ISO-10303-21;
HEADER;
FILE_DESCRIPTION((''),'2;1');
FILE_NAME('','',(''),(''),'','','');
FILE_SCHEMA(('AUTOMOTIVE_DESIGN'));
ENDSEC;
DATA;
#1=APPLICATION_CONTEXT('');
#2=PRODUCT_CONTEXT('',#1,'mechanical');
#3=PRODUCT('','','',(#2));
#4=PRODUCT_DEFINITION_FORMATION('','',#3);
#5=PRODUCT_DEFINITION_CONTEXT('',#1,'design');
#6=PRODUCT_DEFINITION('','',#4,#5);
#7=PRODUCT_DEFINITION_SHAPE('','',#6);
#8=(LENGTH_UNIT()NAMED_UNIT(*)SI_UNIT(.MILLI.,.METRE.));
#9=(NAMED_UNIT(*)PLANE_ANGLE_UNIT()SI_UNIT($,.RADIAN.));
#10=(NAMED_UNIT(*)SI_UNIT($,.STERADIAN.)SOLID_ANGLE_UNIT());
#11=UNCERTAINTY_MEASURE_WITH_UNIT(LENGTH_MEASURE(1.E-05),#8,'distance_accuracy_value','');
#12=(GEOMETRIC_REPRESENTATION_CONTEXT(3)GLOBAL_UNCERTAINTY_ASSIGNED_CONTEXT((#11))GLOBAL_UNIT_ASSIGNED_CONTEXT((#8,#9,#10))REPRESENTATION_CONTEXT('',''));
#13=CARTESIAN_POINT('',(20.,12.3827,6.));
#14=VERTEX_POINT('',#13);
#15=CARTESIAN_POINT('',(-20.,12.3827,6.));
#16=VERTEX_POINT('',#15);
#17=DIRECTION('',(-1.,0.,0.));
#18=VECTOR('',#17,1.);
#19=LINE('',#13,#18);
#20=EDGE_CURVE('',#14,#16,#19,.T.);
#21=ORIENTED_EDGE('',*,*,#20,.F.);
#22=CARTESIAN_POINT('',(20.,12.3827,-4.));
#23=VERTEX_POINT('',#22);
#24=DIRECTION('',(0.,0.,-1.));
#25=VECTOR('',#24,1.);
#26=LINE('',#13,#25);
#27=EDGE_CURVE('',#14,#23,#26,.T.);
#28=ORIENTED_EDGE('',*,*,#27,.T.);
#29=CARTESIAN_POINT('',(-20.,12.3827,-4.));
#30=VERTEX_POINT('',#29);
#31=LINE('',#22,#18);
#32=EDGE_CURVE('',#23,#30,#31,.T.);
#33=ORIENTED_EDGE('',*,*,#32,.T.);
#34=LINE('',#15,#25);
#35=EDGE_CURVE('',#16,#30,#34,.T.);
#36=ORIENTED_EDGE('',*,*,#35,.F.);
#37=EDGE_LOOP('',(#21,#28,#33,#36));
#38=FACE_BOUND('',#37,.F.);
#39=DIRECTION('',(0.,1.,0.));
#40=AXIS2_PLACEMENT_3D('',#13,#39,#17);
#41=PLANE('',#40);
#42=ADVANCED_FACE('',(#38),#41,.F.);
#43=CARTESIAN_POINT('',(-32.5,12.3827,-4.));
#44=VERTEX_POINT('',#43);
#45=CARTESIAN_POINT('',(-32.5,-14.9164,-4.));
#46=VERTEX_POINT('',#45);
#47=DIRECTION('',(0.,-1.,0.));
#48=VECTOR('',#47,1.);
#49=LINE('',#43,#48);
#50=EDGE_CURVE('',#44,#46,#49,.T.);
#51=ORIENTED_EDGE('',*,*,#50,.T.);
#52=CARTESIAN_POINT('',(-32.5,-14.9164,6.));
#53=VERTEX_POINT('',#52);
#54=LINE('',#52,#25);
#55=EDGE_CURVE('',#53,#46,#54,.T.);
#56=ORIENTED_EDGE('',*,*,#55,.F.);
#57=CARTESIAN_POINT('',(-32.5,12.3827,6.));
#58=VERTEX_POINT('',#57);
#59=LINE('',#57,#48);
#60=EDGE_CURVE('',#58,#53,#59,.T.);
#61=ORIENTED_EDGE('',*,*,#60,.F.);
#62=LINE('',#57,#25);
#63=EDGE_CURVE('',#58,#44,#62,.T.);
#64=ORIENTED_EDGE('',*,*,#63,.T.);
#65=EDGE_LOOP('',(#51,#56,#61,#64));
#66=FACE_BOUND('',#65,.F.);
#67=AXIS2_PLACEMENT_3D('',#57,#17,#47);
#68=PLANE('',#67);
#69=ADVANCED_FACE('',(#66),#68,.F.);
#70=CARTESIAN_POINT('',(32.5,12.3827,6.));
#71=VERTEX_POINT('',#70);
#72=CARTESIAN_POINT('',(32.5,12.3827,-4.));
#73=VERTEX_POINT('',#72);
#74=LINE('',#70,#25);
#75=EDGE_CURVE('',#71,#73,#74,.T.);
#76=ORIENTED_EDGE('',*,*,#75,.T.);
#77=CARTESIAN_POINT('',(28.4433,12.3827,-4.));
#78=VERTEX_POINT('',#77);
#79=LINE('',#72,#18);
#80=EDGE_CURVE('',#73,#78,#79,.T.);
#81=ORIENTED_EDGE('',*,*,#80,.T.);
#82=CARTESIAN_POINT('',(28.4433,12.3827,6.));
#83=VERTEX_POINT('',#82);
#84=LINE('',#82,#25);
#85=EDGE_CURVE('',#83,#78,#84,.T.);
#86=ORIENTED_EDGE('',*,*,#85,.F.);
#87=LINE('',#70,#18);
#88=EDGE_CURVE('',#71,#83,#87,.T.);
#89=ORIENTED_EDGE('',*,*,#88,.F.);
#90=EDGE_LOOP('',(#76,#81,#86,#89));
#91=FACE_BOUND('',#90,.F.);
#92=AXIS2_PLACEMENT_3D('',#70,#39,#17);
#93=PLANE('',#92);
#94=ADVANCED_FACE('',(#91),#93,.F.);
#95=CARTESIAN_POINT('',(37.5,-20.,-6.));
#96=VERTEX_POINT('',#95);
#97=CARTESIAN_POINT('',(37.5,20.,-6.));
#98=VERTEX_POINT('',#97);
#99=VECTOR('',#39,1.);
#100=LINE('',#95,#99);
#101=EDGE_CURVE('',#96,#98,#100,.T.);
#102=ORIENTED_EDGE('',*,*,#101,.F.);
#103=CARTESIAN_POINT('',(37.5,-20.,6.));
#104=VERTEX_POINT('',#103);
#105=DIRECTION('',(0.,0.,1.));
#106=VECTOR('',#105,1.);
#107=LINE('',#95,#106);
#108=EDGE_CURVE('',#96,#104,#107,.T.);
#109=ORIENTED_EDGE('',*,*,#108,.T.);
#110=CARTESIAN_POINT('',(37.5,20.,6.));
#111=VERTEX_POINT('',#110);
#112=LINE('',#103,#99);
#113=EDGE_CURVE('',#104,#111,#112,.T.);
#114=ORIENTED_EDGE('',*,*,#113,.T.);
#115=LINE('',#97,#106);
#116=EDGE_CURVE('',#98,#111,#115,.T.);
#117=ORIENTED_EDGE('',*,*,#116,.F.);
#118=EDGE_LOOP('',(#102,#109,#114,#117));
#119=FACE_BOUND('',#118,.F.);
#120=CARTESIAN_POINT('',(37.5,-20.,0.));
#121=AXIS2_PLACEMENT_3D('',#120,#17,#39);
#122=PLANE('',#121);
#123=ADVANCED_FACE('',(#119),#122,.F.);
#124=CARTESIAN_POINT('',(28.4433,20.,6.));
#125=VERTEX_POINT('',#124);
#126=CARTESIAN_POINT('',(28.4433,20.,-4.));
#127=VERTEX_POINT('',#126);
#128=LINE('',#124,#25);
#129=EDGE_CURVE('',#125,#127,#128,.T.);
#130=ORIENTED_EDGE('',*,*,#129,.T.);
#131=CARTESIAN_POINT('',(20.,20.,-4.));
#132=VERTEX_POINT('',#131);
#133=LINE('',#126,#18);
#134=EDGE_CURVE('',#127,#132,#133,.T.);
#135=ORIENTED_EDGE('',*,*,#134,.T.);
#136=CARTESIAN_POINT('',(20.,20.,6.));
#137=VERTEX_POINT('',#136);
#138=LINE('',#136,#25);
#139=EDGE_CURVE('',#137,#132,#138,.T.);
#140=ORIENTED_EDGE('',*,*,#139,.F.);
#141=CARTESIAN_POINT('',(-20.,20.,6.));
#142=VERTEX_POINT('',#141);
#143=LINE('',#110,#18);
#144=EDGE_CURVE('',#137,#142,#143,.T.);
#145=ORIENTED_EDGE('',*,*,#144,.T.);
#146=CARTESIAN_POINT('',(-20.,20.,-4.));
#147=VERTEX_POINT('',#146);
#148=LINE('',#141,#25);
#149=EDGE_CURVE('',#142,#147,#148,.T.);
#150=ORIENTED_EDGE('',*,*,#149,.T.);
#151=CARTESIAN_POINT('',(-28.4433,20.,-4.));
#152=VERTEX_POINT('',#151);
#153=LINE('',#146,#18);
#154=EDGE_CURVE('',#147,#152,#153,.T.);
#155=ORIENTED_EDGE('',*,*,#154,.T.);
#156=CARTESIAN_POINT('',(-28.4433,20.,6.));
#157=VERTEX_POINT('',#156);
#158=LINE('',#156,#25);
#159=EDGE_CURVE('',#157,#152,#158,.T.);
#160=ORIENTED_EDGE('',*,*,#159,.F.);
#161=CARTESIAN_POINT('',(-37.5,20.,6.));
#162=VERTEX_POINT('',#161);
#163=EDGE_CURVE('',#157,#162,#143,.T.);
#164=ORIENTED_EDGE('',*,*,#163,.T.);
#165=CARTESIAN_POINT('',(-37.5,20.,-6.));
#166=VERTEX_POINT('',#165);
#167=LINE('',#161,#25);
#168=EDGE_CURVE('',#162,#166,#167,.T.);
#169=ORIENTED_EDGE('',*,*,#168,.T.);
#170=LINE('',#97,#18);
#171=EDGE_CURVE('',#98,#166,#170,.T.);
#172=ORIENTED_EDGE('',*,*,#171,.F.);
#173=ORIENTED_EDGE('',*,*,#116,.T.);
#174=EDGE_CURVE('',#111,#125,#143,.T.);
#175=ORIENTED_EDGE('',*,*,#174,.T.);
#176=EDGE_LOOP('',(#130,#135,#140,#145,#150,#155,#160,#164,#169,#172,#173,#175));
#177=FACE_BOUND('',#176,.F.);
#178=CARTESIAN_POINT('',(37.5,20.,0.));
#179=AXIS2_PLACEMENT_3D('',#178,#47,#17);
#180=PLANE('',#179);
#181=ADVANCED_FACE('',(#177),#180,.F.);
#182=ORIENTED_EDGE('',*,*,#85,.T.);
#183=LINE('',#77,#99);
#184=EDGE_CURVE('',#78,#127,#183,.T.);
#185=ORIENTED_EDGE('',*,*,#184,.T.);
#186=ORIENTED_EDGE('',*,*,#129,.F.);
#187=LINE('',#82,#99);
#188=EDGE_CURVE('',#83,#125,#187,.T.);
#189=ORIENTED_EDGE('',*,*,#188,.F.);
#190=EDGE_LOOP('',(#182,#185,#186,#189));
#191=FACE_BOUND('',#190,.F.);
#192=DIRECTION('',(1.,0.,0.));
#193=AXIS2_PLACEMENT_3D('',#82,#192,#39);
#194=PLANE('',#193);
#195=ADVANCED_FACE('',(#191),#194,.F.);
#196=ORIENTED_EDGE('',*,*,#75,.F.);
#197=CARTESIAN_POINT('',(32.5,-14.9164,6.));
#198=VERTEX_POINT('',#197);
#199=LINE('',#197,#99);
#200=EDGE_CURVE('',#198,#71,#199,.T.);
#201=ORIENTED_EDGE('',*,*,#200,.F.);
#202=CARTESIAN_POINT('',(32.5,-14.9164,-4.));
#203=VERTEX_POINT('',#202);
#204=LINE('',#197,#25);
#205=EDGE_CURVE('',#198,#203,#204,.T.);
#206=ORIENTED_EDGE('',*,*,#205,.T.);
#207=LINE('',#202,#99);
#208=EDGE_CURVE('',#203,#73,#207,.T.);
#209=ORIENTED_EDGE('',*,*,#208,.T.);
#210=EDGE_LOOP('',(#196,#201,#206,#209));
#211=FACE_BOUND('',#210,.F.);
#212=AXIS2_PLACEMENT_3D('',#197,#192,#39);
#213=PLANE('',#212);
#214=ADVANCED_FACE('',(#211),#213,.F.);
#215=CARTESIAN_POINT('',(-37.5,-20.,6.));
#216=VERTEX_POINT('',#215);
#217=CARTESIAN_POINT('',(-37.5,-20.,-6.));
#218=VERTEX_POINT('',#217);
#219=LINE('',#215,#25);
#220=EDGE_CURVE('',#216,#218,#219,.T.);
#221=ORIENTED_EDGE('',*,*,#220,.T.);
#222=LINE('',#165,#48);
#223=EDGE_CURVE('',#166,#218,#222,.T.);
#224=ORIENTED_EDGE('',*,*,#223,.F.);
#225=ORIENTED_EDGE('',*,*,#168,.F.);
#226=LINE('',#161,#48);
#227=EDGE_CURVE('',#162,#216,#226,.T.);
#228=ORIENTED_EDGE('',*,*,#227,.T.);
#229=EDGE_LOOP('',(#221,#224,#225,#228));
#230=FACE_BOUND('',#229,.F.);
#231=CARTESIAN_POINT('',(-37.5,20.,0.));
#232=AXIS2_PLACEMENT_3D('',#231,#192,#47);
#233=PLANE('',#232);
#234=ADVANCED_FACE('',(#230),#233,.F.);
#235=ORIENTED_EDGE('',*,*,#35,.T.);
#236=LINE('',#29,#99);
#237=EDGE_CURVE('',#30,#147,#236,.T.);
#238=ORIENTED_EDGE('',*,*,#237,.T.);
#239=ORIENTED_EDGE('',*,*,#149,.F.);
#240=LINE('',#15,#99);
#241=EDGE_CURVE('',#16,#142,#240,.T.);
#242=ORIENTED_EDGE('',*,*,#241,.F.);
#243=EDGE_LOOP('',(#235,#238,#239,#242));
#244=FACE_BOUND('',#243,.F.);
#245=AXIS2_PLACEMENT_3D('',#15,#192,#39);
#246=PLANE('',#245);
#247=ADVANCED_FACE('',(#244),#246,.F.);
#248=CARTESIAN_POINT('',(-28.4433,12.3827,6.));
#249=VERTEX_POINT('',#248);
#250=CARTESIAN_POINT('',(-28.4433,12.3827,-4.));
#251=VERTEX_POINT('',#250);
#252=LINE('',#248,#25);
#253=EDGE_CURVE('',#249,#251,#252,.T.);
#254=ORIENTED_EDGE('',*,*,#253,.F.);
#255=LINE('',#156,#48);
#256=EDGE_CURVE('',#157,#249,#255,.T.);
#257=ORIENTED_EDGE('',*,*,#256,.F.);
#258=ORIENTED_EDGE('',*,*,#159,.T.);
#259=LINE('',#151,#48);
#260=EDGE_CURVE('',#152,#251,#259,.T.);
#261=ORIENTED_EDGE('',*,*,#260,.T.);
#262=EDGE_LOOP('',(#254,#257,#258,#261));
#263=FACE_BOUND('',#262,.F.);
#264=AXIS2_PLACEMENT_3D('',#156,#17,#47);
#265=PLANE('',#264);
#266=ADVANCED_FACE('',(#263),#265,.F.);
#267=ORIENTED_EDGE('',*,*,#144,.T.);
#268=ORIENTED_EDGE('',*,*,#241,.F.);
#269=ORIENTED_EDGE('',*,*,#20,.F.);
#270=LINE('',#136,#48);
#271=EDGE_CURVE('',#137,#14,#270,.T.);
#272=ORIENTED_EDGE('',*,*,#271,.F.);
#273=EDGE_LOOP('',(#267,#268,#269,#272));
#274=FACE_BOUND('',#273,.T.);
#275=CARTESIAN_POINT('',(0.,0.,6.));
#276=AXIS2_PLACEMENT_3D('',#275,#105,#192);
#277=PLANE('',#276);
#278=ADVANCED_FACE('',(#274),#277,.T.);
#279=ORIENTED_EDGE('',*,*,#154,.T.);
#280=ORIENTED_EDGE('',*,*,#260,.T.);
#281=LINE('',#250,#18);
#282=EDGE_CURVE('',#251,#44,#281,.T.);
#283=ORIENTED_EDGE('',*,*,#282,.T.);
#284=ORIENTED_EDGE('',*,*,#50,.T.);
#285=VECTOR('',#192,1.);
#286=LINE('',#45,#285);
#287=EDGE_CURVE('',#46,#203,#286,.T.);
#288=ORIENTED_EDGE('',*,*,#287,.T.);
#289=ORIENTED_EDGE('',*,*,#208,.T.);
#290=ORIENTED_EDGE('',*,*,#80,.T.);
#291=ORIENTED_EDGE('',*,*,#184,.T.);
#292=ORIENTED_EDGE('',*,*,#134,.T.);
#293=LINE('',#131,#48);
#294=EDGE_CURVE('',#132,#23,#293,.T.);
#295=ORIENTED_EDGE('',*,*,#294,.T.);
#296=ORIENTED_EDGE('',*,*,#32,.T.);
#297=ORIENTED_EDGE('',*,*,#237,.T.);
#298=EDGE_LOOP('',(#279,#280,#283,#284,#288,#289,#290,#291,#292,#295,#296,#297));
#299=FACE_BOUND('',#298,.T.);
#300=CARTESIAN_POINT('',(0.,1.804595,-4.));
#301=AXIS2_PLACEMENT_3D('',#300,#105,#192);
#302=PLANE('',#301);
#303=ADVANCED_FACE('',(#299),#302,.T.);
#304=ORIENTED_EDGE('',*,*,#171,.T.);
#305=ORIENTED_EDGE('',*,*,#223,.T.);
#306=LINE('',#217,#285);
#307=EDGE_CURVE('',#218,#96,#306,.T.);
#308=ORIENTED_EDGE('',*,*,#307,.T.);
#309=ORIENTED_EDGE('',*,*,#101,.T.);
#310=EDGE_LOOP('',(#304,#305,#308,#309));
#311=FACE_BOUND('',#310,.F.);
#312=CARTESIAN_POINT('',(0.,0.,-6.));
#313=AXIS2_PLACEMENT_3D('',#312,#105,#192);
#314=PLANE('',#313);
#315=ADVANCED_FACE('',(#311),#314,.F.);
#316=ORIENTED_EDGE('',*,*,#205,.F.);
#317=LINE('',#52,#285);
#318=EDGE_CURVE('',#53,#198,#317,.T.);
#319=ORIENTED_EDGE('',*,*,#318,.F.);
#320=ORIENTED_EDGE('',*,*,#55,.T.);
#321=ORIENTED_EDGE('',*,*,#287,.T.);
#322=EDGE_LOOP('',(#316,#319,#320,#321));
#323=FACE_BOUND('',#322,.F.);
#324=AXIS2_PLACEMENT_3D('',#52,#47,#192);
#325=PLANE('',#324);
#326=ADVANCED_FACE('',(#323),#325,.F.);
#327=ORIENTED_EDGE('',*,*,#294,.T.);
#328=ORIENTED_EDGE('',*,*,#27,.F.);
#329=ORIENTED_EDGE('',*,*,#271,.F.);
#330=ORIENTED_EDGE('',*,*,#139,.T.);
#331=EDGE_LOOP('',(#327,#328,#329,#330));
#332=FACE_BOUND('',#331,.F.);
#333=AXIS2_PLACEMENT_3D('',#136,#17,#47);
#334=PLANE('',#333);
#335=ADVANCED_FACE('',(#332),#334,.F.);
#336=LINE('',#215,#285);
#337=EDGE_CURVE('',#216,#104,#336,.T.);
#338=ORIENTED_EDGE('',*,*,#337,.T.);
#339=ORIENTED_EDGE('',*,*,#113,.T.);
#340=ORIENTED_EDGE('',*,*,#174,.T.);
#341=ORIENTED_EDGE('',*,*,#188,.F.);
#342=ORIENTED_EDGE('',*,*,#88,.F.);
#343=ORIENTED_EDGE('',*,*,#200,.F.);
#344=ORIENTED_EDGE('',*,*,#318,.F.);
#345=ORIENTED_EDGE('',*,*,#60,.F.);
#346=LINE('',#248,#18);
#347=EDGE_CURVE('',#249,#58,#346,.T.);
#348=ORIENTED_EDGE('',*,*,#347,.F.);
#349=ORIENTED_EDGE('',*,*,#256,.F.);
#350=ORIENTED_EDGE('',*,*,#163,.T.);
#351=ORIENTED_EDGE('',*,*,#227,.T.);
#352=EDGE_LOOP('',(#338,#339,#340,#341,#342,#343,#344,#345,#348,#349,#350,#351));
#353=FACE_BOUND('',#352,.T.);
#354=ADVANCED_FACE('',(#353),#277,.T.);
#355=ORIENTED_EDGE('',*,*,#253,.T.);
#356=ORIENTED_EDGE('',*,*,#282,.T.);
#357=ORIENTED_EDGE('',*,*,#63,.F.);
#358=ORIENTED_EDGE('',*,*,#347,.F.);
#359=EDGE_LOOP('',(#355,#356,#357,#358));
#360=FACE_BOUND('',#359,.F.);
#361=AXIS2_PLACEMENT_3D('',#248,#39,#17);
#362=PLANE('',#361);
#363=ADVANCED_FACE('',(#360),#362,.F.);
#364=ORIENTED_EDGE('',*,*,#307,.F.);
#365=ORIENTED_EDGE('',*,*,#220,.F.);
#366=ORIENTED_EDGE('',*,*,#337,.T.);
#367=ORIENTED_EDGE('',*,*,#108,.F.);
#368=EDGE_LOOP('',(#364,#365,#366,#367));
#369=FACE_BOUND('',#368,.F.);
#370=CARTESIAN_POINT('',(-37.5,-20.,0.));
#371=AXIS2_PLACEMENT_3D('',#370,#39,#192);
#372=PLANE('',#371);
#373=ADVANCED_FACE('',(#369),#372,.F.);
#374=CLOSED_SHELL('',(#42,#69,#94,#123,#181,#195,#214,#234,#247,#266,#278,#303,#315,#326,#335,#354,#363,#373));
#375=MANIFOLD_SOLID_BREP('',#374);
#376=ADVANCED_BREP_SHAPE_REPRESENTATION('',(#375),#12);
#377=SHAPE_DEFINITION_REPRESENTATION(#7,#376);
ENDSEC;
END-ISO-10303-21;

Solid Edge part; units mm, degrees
sketch "Sketch1" plane through (0, 0, 0) normal (0, 0, 1) x (1, 0, 0)
  line L0 (-37.5, -20) -> (37.5, -20)
  line L1 (37.5, -20) -> (37.5, 20)
  line L2 (37.5, 20) -> (-37.5, 20)
  line L3 (-37.5, 20) -> (-37.5, -20)
  dimension "D1" = 40
  dimension "D2" = 75
extrude "Protrusion1" add sketch "Sketch1" along normal mid plane 12
sketch "Sketch2" plane through (0, 0, 6) normal (0, 0, 1) x (1, 0, 0)
  line L0 (-32.5, 12.3827) -> (-32.5, -14.9164)
  line L1 (-32.5, -14.9164) -> (32.5, -14.9164)
  line L2 (32.5, -14.9164) -> (32.5, 12.3827)
  line L3 (32.5, 12.3827) -> (28.4433, 12.3827)
  line L4 (28.4433, 12.3827) -> (28.4433, 20)
  line L5 (28.4433, 20) -> (20, 20)
  line L6 (20, 20) -> (20, 12.3827)
  line L7 (20, 12.3827) -> (-20, 12.3827)
  line L8 (-20, 12.3827) -> (-20, 20)
  line L9 (-20, 20) -> (-28.4433, 20)
  line L10 (-28.4433, 20) -> (-28.4433, 12.3827)
  line L11 (-28.4433, 12.3827) -> (-32.5, 12.3827)
  dimension "D1" = 40
extrude "ExtrudedCutout_1" cut sketch "Sketch2" against normal blind 10
properties material "Polypropylene, general purpose"
